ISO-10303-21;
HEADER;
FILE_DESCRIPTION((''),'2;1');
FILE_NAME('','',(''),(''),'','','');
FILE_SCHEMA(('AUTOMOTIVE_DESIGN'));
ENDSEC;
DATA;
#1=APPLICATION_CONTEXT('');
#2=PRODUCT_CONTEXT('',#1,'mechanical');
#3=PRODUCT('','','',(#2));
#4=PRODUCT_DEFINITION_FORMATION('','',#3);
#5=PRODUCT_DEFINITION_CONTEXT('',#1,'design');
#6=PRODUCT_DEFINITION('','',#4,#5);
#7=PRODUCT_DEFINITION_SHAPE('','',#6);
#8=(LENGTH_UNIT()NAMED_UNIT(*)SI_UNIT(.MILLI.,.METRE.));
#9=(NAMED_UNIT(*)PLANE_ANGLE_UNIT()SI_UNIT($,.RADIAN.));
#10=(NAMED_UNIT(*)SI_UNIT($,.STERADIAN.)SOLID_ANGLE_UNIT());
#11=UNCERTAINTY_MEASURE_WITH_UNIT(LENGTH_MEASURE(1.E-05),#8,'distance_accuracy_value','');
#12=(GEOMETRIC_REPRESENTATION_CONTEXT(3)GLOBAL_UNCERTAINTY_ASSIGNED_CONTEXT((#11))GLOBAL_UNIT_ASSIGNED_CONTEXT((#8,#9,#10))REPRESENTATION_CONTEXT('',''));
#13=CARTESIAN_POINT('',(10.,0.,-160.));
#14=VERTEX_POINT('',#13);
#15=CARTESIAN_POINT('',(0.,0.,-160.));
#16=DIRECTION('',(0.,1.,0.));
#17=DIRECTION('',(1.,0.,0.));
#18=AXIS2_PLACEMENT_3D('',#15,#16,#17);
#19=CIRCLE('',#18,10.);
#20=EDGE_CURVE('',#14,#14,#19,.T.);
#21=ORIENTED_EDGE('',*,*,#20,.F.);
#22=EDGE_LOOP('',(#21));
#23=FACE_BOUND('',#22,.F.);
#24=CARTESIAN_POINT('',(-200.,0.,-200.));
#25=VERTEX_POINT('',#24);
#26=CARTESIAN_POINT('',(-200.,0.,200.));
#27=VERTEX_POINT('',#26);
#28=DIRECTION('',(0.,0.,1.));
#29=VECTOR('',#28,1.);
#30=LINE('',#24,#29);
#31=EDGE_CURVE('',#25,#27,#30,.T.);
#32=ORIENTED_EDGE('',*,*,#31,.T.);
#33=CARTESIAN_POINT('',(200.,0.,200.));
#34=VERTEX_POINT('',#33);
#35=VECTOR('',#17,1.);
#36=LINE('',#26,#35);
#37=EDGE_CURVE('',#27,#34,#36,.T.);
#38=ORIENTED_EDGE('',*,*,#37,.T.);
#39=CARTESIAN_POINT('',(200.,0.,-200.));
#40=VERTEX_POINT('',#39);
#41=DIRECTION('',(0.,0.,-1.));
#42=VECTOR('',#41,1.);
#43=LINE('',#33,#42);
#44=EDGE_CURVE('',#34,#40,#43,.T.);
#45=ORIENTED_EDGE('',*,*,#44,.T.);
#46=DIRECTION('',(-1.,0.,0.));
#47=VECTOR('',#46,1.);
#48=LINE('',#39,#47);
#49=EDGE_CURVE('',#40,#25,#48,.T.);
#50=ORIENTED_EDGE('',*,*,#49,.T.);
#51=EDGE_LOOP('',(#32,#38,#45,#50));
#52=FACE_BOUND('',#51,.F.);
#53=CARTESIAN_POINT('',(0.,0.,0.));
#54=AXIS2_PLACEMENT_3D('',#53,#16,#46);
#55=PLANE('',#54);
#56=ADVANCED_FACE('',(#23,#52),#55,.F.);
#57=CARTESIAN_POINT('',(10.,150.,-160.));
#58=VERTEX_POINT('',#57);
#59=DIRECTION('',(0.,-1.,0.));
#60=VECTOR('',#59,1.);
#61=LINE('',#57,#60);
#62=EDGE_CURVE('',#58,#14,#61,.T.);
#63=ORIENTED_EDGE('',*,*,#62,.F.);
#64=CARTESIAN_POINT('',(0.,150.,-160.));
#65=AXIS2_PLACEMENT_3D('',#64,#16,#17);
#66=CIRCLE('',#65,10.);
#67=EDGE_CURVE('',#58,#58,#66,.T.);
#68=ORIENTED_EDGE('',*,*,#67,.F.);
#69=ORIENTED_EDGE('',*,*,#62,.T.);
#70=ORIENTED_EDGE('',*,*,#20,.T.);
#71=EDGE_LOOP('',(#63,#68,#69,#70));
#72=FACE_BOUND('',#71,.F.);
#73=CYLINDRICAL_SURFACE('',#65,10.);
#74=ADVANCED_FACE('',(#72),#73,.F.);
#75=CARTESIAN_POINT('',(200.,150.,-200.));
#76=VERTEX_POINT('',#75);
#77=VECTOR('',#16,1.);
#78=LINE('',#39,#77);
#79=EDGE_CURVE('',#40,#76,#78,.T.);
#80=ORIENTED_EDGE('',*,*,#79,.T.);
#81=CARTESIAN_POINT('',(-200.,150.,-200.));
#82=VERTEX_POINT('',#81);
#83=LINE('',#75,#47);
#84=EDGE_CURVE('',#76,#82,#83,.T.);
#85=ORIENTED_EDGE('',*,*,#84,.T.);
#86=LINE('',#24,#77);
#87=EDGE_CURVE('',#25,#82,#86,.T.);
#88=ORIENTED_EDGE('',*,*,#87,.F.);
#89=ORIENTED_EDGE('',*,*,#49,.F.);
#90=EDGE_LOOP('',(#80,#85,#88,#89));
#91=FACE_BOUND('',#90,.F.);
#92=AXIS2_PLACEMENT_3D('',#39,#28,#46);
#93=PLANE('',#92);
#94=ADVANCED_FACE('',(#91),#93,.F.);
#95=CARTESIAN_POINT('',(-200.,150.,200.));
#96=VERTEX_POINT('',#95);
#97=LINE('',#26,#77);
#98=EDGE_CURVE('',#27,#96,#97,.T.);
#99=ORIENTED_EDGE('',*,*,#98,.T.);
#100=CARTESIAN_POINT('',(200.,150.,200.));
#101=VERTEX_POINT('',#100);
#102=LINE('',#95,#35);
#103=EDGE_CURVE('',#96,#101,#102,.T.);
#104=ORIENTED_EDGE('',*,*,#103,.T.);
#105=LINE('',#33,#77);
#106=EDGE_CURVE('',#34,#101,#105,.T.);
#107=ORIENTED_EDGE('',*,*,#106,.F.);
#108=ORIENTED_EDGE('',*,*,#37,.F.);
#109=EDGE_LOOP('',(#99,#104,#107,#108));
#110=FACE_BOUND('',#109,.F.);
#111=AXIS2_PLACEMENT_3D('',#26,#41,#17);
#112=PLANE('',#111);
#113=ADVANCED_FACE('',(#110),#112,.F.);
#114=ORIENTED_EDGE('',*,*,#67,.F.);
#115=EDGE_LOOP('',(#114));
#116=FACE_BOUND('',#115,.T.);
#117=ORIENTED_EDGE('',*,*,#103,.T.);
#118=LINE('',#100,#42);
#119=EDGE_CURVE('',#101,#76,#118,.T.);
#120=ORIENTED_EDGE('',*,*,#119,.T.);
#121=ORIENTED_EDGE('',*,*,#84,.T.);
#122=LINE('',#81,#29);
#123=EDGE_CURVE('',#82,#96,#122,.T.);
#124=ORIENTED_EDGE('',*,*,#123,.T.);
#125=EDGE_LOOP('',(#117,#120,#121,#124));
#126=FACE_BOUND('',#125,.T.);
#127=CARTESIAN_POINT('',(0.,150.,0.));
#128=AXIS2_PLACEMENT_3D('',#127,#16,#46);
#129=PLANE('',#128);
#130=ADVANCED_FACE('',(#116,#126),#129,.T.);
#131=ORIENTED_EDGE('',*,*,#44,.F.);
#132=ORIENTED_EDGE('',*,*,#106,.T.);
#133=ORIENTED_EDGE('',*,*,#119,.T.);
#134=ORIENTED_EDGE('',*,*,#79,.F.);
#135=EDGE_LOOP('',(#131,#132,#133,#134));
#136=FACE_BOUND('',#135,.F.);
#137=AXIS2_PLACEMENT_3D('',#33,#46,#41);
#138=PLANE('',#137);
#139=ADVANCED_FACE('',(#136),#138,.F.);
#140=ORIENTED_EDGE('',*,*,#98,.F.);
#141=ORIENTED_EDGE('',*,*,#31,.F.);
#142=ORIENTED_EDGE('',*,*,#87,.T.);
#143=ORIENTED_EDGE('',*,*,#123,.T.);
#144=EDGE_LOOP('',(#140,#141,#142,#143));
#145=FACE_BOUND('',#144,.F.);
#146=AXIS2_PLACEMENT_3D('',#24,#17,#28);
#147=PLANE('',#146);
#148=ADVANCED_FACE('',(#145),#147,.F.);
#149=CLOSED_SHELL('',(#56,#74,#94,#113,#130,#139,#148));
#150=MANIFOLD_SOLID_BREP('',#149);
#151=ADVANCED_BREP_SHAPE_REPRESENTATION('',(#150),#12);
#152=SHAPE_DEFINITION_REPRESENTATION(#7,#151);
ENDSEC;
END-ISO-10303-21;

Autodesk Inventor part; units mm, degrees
ref_plane "YZ Plane" through (0, 0, 0) normal (1, 0, 0) x (0, 1, 0)
ref_plane "XZ Plane" through (0, 0, 0) normal (0, 1, 0) x (-1, 0, 0)
ref_plane "XY Plane" through (0, 0, 0) normal (0, 0, 1) x (1, 0, 0)
sketch "Boceto1" plane through (0, 0, 0) normal (0, 1, 0) x (-1, 0, 0)
  line L0 (200, 200) -> (-200, 200)
  line L1 (-200, 200) -> (-200, -200)
  line L2 (-200, -200) -> (200, -200)
  line L3 (200, -200) -> (200, 200)
  point P0 (0, 0)
  dimension "d0" = 400
  dimension "L" = 400
  dimension "d2" = 200
  dimension "d3" = 200
extrude "Extrusión1" add sketch "Boceto1" along normal blind 150
sketch "Boceto3" plane through (0, 150, 0) normal (0, 1, 0) x (1, 0, 0)
  circle A0 centre (0, 160) radius 10
  line L0 (200, 200) -> (-200, 200) projected
  point P0 (0, 0)
  dimension "d6" = 20
  dimension "d9" = 40
extrude "Extrusión2" cut sketch "Boceto3" against normal blind 153.75
ref_plane "Plano de trabajo1" through (0, 0, 200) normal (1, 0, 0) x (0, 0, -1)
ref_plane "Plano de trabajo2" through (-200, 0, 0) normal (0, 0, 1) x (1, 0, 0)
equation "\"d0\" = L"
equation "\"d2\" = 0.5 * L"
equation "\"d3\" = 0.5 * L"
properties part number "CajaBoya"
